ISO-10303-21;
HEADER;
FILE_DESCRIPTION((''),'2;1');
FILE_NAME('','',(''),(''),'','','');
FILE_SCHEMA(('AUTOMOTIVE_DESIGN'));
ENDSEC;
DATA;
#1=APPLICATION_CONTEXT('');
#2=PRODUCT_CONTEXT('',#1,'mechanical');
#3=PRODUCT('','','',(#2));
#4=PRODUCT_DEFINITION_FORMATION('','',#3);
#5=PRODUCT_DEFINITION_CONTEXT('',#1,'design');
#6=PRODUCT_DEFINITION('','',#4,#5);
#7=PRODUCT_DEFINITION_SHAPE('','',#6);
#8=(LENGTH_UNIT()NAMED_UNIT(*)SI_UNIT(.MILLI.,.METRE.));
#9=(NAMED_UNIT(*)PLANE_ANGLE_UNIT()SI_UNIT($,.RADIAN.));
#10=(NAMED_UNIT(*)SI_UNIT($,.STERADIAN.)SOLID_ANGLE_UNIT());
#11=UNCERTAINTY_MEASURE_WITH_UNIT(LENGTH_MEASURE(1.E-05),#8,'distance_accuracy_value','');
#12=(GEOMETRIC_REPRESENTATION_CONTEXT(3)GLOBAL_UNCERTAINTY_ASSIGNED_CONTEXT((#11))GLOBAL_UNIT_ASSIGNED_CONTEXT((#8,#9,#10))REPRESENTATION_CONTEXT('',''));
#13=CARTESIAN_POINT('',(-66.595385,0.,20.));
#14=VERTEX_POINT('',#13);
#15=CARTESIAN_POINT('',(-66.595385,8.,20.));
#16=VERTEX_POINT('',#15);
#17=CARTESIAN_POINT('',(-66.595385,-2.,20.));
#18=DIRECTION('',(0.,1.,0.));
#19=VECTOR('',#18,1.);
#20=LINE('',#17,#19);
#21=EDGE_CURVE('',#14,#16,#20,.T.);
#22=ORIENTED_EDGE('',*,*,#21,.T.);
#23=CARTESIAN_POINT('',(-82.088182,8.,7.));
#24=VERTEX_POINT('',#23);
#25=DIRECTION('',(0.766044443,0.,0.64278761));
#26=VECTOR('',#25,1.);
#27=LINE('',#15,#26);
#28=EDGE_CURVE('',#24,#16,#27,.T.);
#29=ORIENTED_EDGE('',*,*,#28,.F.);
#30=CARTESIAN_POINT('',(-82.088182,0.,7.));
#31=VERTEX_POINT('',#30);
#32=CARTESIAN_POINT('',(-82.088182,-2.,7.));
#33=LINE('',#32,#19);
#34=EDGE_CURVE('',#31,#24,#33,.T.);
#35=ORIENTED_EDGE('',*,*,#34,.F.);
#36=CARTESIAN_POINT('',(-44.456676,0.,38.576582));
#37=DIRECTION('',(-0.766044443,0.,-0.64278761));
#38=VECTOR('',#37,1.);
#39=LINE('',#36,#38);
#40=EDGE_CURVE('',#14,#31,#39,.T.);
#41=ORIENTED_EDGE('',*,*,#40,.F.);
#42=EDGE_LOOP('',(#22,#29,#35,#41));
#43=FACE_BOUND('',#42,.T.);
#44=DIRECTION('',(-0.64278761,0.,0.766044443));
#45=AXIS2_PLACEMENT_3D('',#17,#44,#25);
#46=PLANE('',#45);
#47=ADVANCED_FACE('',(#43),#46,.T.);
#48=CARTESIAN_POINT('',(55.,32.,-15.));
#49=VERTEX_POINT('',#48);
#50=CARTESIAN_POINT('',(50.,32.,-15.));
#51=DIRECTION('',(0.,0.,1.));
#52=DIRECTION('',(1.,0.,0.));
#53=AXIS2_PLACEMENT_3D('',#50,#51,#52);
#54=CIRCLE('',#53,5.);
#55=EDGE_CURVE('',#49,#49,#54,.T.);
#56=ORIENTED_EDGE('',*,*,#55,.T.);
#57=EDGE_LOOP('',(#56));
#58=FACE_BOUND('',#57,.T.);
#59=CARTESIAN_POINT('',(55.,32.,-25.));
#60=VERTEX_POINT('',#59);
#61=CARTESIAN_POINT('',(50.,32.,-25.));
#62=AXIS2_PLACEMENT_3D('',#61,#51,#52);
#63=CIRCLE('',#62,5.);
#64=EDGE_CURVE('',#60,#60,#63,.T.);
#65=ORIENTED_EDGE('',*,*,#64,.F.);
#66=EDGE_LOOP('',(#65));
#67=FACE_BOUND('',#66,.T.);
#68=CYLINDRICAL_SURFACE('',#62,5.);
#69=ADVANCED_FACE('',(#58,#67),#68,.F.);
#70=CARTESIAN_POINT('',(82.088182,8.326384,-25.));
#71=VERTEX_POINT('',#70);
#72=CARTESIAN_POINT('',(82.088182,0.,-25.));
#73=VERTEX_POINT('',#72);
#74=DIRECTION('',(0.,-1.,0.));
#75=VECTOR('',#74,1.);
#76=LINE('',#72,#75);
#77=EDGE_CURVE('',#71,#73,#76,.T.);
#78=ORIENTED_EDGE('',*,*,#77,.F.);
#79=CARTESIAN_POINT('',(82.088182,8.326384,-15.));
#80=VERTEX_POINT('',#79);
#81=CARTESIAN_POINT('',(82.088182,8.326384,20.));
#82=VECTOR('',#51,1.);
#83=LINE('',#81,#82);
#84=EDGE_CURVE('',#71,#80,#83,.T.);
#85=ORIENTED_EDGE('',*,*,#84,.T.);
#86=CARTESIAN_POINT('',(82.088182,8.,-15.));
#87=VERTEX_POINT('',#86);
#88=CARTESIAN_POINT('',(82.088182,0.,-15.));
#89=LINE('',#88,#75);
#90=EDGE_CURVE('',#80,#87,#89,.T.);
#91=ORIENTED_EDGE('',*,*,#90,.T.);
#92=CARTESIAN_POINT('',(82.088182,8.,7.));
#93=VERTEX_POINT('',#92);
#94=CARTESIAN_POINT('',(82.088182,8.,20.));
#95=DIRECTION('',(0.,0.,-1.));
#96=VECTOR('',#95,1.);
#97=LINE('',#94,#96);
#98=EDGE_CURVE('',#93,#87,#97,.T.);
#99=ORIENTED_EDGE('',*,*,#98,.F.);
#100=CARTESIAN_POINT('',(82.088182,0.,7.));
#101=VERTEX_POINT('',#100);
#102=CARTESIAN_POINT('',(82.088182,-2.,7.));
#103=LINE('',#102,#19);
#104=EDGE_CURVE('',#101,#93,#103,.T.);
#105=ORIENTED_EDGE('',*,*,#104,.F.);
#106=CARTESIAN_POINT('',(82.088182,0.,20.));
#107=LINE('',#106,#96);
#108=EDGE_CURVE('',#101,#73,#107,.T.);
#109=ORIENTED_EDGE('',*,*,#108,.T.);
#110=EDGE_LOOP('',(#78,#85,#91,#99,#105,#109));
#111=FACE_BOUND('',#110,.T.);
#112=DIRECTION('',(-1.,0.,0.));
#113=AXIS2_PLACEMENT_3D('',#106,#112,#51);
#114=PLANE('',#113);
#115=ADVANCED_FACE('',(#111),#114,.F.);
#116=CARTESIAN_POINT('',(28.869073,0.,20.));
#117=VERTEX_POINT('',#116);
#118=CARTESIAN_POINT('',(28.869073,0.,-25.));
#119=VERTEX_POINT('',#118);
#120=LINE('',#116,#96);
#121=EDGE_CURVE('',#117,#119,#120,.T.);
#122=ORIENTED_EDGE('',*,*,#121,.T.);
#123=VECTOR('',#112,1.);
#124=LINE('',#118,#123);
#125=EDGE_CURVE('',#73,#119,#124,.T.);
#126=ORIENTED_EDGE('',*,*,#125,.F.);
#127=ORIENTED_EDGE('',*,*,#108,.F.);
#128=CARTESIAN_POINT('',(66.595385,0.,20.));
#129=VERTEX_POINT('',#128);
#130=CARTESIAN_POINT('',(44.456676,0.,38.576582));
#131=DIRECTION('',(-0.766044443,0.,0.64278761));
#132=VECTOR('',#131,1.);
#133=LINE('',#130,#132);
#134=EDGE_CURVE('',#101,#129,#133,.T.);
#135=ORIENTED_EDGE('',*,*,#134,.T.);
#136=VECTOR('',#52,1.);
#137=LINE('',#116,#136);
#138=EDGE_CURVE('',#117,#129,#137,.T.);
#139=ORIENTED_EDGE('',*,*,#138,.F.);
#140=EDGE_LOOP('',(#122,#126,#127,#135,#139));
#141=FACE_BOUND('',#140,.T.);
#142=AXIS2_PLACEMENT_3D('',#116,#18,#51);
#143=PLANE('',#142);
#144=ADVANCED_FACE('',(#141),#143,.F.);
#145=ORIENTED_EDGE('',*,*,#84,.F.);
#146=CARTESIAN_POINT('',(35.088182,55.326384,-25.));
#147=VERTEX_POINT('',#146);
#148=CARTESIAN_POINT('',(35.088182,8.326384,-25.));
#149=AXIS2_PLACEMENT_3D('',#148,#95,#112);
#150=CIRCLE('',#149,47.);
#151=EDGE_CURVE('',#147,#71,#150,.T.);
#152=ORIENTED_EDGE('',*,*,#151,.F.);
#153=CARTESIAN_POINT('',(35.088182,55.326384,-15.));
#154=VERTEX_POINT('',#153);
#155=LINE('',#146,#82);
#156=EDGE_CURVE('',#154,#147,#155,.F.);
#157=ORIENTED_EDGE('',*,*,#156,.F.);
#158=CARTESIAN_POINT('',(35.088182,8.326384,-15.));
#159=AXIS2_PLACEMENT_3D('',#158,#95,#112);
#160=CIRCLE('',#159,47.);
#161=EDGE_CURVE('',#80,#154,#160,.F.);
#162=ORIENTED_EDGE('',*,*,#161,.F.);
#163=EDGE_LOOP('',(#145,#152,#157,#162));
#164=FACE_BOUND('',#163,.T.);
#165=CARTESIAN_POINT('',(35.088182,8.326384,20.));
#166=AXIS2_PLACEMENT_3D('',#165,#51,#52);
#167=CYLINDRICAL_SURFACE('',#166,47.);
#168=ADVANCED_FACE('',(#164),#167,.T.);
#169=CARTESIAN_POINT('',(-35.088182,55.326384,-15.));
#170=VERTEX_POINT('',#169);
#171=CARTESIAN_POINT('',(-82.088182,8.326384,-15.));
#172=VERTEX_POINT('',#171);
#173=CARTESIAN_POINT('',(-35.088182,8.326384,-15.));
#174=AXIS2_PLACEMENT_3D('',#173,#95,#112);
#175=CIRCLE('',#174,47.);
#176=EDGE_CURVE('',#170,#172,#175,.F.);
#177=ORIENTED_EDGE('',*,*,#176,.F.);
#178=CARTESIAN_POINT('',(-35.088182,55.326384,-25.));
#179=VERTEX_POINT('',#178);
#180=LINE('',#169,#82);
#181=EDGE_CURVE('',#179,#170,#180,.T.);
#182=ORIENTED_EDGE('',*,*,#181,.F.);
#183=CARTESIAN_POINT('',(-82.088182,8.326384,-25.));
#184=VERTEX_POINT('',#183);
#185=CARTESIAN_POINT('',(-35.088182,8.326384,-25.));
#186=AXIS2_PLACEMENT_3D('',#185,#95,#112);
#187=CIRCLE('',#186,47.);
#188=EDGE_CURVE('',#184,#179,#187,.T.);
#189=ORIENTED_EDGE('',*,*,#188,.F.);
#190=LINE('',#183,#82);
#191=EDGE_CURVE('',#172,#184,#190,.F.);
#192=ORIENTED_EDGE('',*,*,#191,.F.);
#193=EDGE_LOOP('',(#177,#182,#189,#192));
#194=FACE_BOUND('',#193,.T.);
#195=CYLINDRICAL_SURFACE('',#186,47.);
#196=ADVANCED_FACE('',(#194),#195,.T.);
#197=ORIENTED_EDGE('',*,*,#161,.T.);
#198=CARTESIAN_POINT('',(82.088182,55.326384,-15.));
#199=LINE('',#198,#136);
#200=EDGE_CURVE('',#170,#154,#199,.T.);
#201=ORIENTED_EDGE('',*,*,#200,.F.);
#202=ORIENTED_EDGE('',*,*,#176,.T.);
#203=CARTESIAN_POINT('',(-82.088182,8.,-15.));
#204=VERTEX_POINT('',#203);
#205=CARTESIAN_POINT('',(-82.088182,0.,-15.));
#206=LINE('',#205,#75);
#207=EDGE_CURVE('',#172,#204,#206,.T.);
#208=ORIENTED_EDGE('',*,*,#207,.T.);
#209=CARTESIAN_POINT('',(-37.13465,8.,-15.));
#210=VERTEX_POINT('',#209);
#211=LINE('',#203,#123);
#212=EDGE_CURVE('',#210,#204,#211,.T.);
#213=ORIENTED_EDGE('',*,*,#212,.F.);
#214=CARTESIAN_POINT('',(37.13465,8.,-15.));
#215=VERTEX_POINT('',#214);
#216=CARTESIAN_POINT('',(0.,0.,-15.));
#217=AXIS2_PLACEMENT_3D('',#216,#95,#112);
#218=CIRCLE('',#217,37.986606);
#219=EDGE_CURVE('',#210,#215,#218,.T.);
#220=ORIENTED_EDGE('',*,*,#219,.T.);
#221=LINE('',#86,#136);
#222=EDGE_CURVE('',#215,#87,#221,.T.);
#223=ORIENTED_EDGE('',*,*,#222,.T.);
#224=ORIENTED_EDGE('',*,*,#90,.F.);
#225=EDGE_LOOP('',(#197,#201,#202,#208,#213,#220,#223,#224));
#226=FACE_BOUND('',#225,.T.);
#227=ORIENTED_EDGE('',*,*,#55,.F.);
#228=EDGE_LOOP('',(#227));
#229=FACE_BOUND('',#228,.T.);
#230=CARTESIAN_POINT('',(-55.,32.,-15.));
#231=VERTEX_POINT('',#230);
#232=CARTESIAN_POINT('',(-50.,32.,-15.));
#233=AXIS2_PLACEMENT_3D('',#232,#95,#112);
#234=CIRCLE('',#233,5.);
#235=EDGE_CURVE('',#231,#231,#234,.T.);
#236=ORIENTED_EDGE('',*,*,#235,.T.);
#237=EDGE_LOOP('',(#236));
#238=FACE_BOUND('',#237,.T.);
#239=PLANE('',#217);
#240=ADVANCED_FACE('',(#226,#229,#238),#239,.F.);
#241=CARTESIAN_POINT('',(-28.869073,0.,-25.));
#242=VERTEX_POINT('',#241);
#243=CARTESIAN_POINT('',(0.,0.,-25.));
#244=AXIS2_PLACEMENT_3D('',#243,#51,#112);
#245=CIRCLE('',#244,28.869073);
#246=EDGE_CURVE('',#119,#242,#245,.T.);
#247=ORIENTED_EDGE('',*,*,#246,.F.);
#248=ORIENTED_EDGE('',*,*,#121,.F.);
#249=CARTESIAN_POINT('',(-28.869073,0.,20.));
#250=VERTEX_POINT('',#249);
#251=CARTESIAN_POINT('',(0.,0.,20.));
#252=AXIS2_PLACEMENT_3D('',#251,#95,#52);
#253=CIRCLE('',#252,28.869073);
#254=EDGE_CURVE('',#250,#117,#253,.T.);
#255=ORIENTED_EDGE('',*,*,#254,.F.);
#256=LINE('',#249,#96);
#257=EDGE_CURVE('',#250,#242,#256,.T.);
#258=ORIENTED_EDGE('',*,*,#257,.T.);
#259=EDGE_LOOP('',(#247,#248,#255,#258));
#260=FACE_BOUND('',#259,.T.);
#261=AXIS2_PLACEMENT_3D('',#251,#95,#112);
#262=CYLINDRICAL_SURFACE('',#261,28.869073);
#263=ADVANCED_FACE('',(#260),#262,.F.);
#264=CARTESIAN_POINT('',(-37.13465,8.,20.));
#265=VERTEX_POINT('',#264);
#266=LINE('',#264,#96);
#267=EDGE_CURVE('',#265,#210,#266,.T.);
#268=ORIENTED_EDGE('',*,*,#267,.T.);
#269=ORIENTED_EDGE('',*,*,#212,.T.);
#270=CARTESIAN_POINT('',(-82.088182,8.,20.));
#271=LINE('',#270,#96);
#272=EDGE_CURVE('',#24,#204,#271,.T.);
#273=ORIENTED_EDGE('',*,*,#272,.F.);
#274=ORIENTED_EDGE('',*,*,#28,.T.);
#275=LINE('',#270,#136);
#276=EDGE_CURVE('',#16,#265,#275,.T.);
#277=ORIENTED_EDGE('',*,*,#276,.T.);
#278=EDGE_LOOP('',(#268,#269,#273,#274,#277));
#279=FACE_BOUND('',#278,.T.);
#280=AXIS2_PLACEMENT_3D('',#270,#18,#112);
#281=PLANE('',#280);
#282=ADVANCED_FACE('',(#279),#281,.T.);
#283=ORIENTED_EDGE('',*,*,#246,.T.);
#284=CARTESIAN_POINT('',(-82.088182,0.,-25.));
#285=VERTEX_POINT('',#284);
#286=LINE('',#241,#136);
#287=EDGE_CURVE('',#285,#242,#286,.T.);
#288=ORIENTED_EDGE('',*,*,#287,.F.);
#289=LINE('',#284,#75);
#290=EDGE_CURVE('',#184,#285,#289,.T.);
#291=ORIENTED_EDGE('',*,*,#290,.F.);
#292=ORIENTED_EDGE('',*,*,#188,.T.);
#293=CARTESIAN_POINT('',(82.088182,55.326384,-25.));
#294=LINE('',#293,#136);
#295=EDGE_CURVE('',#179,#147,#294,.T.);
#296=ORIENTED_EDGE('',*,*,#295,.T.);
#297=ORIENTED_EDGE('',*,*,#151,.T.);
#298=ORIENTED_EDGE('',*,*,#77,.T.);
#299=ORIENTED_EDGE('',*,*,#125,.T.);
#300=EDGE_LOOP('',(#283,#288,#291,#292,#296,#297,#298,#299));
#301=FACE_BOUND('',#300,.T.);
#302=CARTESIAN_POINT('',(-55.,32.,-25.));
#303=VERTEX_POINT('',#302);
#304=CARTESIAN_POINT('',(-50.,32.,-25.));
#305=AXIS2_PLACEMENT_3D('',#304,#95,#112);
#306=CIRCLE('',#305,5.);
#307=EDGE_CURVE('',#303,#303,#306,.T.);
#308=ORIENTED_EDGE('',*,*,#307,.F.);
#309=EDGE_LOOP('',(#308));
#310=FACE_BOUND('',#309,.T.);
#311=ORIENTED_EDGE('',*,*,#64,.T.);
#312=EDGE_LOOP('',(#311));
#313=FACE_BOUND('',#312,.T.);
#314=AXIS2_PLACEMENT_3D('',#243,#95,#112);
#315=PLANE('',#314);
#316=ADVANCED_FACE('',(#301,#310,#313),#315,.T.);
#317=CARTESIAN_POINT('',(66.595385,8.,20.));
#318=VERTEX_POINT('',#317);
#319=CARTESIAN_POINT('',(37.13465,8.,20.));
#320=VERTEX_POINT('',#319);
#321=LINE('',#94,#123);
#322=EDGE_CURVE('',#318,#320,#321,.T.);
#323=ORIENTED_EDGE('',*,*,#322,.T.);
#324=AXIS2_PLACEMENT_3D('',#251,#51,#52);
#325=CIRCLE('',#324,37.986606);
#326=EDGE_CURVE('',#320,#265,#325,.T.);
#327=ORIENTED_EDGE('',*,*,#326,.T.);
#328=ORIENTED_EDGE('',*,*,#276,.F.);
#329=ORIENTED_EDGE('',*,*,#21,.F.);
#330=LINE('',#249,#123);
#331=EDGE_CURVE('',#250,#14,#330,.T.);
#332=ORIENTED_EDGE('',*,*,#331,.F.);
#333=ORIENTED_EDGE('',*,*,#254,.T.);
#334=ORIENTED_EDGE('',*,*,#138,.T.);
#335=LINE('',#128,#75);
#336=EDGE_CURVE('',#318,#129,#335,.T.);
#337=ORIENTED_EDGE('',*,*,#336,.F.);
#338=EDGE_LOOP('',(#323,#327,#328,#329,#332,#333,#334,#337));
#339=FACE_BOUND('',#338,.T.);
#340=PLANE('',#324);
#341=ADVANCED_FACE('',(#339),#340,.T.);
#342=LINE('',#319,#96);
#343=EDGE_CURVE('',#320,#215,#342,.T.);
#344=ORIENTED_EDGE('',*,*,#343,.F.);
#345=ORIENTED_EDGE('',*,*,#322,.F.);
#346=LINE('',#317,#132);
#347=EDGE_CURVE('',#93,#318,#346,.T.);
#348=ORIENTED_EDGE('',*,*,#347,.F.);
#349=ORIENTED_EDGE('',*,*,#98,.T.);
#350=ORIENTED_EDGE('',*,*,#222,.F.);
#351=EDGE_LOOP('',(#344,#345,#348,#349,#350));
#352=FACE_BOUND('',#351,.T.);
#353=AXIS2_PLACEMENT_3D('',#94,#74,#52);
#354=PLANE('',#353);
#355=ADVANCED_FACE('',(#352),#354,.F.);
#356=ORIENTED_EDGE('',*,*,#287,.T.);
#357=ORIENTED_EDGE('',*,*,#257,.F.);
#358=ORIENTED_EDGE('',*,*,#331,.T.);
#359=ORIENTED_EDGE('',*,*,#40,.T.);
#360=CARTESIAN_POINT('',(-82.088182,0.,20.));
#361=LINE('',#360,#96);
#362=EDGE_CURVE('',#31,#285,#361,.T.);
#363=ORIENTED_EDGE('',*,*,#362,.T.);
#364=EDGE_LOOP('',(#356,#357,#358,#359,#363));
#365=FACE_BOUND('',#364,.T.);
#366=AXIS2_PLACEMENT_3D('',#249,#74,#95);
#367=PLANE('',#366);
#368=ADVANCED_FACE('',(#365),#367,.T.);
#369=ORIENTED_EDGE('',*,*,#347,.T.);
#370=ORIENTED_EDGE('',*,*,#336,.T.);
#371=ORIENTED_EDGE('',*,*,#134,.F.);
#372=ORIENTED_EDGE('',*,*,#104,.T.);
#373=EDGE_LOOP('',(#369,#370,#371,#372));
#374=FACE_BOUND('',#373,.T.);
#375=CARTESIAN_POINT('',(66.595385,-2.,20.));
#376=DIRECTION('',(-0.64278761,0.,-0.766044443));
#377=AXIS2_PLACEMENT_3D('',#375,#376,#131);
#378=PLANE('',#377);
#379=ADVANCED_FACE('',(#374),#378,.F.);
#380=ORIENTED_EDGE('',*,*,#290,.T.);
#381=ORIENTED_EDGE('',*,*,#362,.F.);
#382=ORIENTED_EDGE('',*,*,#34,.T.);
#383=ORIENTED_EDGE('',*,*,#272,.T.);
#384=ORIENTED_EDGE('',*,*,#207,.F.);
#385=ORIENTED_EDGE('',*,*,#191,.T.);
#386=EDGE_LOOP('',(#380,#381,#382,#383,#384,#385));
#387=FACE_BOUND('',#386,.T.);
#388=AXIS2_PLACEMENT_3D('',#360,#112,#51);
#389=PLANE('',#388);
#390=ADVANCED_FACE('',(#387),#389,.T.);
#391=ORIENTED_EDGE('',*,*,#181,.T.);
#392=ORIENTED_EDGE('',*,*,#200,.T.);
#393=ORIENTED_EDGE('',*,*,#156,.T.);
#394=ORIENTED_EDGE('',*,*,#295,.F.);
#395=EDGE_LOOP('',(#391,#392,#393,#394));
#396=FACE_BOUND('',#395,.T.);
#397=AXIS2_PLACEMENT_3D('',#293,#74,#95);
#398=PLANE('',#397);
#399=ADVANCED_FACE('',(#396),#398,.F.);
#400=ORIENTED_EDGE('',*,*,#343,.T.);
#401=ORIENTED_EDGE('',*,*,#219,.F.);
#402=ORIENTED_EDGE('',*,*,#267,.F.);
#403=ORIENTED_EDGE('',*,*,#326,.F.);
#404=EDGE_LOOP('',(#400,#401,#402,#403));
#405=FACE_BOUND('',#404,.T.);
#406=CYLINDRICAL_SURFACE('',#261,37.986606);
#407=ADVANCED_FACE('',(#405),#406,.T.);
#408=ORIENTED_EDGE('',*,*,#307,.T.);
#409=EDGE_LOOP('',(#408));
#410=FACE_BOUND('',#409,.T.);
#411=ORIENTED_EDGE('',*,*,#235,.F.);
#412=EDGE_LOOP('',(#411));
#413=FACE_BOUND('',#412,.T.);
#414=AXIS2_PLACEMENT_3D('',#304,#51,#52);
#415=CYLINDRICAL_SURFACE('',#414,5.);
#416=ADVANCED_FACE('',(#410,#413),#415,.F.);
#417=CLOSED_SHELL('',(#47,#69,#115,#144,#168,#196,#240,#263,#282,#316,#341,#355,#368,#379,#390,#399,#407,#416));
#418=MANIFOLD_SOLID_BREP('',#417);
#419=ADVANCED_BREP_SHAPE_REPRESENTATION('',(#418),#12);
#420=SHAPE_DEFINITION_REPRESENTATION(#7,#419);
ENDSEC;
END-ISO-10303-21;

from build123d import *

# Parameters (mm, degrees)
ESTRUSIONE_ESTRUSIONE1_DEPTH = 20
ESTRUSIONE_ESTRUSIONE3_DEPTH = 5
RACCORDO1_R                  = 47
SCHIZZO5_R                   = 5
TAGLIO_ESTRUSIONE1_DEPTH     = 10
TAGLIO_ESTRUSIONE2_DEPTH     = 10
RACCORDO1_OF_SPECCHIA2_R     = 47


with BuildPart() as part:
    # Schizzo1 → Estrusione-Estrusione1 (new body, symmetric)
    with BuildSketch(Plane.XY):
        with BuildLine():
            Line((28.869072897, 0), (82.088181758, 0))
            Line((82.088181758, 0), (82.088181758, 8))
            Line((82.088181758, 8), (37.134650395, 8))
            ThreePointArc((37.134650395, 8), (23.865135757, 29.553976979), (0, 37.986606324))
            Line((0, 37.986606324), (0, 28.869072897))
            ThreePointArc((0, 28.869072897), (20.413517212, 20.413517212), (28.869072897, 0))
        make_face()
    estrusione_estrusione1 = extrude(amount=ESTRUSIONE_ESTRUSIONE1_DEPTH, both=True)

    # Schizzo4 → Estrusione-Estrusione3 (add, symmetric)
    with BuildSketch(Plane(origin=(0, 0, -20), x_dir=(-1, 0, 0), z_dir=(0, 0, -1))):
        with BuildLine():
            Line((-28.869072897, 0), (-82.088181758, 0))
            Line((-82.088181758, 0), (-82.088181758, 55.326384445))
            Line((-82.088181758, 55.326384445), (0, 55.326384445))
            Line((0, 55.326384445), (0, 28.869072897))
            ThreePointArc((0, 28.869072897), (-20.413517212, 20.413517212), (-28.869072897, 0))
        make_face()
    estrusione_estrusione3 = extrude(amount=ESTRUSIONE_ESTRUSIONE3_DEPTH, both=True)

    # Raccordo1
    raccordo1_edges = [part.edges().sort_by_distance(p)[0] for p in [
        (82.088181758, 55.326384445, -20),
    ]]
    fillet(raccordo1_edges, radius=RACCORDO1_R)

    # Schizzo5 → Taglio-Estrusione1 (cut)
    with BuildSketch(Plane.XY.offset(-15)):
        with Locations((50, 32)):
            Circle(SCHIZZO5_R)
    taglio_estrusione1 = extrude(amount=-TAGLIO_ESTRUSIONE1_DEPTH, mode=Mode.SUBTRACT)

    # Schizzo6 → Taglio-Estrusione2 (cut)
    with BuildSketch(Plane(origin=(0, 8, 0), x_dir=(1, 0, 0), z_dir=(0, 1, 0))):
        Polygon((66.595385054, -20), (82.088181758, -7), (82.088181758, -20), align=None)
    taglio_estrusione2 = extrude(amount=-TAGLIO_ESTRUSIONE2_DEPTH, mode=Mode.SUBTRACT)

    # Specchia2: Estrusione-Estrusione1, Estrusione-Estrusione3, Taglio-Estrusione1, Taglio-Estrusione2 across plane
    add(estrusione_estrusione1.mirror(Plane(origin=(0, 0, 0), x_dir=(0, 0, 1), z_dir=(1, 0, 0))))
    add(estrusione_estrusione3.mirror(Plane(origin=(0, 0, 0), x_dir=(0, 0, 1), z_dir=(1, 0, 0))))
    add(taglio_estrusione1.mirror(Plane(origin=(0, 0, 0), x_dir=(0, 0, 1), z_dir=(1, 0, 0))), mode=Mode.SUBTRACT)
    add(taglio_estrusione2.mirror(Plane(origin=(0, 0, 0), x_dir=(0, 0, 1), z_dir=(1, 0, 0))), mode=Mode.SUBTRACT)

    # Raccordo1 of Specchia2
    raccordo1_of_specchia2_edges = [part.edges().sort_by_distance(p)[0] for p in [
        (-82.088181758, 55.326384445, -20),
    ]]
    fillet(raccordo1_of_specchia2_edges, radius=RACCORDO1_OF_SPECCHIA2_R)


solid = part.part
